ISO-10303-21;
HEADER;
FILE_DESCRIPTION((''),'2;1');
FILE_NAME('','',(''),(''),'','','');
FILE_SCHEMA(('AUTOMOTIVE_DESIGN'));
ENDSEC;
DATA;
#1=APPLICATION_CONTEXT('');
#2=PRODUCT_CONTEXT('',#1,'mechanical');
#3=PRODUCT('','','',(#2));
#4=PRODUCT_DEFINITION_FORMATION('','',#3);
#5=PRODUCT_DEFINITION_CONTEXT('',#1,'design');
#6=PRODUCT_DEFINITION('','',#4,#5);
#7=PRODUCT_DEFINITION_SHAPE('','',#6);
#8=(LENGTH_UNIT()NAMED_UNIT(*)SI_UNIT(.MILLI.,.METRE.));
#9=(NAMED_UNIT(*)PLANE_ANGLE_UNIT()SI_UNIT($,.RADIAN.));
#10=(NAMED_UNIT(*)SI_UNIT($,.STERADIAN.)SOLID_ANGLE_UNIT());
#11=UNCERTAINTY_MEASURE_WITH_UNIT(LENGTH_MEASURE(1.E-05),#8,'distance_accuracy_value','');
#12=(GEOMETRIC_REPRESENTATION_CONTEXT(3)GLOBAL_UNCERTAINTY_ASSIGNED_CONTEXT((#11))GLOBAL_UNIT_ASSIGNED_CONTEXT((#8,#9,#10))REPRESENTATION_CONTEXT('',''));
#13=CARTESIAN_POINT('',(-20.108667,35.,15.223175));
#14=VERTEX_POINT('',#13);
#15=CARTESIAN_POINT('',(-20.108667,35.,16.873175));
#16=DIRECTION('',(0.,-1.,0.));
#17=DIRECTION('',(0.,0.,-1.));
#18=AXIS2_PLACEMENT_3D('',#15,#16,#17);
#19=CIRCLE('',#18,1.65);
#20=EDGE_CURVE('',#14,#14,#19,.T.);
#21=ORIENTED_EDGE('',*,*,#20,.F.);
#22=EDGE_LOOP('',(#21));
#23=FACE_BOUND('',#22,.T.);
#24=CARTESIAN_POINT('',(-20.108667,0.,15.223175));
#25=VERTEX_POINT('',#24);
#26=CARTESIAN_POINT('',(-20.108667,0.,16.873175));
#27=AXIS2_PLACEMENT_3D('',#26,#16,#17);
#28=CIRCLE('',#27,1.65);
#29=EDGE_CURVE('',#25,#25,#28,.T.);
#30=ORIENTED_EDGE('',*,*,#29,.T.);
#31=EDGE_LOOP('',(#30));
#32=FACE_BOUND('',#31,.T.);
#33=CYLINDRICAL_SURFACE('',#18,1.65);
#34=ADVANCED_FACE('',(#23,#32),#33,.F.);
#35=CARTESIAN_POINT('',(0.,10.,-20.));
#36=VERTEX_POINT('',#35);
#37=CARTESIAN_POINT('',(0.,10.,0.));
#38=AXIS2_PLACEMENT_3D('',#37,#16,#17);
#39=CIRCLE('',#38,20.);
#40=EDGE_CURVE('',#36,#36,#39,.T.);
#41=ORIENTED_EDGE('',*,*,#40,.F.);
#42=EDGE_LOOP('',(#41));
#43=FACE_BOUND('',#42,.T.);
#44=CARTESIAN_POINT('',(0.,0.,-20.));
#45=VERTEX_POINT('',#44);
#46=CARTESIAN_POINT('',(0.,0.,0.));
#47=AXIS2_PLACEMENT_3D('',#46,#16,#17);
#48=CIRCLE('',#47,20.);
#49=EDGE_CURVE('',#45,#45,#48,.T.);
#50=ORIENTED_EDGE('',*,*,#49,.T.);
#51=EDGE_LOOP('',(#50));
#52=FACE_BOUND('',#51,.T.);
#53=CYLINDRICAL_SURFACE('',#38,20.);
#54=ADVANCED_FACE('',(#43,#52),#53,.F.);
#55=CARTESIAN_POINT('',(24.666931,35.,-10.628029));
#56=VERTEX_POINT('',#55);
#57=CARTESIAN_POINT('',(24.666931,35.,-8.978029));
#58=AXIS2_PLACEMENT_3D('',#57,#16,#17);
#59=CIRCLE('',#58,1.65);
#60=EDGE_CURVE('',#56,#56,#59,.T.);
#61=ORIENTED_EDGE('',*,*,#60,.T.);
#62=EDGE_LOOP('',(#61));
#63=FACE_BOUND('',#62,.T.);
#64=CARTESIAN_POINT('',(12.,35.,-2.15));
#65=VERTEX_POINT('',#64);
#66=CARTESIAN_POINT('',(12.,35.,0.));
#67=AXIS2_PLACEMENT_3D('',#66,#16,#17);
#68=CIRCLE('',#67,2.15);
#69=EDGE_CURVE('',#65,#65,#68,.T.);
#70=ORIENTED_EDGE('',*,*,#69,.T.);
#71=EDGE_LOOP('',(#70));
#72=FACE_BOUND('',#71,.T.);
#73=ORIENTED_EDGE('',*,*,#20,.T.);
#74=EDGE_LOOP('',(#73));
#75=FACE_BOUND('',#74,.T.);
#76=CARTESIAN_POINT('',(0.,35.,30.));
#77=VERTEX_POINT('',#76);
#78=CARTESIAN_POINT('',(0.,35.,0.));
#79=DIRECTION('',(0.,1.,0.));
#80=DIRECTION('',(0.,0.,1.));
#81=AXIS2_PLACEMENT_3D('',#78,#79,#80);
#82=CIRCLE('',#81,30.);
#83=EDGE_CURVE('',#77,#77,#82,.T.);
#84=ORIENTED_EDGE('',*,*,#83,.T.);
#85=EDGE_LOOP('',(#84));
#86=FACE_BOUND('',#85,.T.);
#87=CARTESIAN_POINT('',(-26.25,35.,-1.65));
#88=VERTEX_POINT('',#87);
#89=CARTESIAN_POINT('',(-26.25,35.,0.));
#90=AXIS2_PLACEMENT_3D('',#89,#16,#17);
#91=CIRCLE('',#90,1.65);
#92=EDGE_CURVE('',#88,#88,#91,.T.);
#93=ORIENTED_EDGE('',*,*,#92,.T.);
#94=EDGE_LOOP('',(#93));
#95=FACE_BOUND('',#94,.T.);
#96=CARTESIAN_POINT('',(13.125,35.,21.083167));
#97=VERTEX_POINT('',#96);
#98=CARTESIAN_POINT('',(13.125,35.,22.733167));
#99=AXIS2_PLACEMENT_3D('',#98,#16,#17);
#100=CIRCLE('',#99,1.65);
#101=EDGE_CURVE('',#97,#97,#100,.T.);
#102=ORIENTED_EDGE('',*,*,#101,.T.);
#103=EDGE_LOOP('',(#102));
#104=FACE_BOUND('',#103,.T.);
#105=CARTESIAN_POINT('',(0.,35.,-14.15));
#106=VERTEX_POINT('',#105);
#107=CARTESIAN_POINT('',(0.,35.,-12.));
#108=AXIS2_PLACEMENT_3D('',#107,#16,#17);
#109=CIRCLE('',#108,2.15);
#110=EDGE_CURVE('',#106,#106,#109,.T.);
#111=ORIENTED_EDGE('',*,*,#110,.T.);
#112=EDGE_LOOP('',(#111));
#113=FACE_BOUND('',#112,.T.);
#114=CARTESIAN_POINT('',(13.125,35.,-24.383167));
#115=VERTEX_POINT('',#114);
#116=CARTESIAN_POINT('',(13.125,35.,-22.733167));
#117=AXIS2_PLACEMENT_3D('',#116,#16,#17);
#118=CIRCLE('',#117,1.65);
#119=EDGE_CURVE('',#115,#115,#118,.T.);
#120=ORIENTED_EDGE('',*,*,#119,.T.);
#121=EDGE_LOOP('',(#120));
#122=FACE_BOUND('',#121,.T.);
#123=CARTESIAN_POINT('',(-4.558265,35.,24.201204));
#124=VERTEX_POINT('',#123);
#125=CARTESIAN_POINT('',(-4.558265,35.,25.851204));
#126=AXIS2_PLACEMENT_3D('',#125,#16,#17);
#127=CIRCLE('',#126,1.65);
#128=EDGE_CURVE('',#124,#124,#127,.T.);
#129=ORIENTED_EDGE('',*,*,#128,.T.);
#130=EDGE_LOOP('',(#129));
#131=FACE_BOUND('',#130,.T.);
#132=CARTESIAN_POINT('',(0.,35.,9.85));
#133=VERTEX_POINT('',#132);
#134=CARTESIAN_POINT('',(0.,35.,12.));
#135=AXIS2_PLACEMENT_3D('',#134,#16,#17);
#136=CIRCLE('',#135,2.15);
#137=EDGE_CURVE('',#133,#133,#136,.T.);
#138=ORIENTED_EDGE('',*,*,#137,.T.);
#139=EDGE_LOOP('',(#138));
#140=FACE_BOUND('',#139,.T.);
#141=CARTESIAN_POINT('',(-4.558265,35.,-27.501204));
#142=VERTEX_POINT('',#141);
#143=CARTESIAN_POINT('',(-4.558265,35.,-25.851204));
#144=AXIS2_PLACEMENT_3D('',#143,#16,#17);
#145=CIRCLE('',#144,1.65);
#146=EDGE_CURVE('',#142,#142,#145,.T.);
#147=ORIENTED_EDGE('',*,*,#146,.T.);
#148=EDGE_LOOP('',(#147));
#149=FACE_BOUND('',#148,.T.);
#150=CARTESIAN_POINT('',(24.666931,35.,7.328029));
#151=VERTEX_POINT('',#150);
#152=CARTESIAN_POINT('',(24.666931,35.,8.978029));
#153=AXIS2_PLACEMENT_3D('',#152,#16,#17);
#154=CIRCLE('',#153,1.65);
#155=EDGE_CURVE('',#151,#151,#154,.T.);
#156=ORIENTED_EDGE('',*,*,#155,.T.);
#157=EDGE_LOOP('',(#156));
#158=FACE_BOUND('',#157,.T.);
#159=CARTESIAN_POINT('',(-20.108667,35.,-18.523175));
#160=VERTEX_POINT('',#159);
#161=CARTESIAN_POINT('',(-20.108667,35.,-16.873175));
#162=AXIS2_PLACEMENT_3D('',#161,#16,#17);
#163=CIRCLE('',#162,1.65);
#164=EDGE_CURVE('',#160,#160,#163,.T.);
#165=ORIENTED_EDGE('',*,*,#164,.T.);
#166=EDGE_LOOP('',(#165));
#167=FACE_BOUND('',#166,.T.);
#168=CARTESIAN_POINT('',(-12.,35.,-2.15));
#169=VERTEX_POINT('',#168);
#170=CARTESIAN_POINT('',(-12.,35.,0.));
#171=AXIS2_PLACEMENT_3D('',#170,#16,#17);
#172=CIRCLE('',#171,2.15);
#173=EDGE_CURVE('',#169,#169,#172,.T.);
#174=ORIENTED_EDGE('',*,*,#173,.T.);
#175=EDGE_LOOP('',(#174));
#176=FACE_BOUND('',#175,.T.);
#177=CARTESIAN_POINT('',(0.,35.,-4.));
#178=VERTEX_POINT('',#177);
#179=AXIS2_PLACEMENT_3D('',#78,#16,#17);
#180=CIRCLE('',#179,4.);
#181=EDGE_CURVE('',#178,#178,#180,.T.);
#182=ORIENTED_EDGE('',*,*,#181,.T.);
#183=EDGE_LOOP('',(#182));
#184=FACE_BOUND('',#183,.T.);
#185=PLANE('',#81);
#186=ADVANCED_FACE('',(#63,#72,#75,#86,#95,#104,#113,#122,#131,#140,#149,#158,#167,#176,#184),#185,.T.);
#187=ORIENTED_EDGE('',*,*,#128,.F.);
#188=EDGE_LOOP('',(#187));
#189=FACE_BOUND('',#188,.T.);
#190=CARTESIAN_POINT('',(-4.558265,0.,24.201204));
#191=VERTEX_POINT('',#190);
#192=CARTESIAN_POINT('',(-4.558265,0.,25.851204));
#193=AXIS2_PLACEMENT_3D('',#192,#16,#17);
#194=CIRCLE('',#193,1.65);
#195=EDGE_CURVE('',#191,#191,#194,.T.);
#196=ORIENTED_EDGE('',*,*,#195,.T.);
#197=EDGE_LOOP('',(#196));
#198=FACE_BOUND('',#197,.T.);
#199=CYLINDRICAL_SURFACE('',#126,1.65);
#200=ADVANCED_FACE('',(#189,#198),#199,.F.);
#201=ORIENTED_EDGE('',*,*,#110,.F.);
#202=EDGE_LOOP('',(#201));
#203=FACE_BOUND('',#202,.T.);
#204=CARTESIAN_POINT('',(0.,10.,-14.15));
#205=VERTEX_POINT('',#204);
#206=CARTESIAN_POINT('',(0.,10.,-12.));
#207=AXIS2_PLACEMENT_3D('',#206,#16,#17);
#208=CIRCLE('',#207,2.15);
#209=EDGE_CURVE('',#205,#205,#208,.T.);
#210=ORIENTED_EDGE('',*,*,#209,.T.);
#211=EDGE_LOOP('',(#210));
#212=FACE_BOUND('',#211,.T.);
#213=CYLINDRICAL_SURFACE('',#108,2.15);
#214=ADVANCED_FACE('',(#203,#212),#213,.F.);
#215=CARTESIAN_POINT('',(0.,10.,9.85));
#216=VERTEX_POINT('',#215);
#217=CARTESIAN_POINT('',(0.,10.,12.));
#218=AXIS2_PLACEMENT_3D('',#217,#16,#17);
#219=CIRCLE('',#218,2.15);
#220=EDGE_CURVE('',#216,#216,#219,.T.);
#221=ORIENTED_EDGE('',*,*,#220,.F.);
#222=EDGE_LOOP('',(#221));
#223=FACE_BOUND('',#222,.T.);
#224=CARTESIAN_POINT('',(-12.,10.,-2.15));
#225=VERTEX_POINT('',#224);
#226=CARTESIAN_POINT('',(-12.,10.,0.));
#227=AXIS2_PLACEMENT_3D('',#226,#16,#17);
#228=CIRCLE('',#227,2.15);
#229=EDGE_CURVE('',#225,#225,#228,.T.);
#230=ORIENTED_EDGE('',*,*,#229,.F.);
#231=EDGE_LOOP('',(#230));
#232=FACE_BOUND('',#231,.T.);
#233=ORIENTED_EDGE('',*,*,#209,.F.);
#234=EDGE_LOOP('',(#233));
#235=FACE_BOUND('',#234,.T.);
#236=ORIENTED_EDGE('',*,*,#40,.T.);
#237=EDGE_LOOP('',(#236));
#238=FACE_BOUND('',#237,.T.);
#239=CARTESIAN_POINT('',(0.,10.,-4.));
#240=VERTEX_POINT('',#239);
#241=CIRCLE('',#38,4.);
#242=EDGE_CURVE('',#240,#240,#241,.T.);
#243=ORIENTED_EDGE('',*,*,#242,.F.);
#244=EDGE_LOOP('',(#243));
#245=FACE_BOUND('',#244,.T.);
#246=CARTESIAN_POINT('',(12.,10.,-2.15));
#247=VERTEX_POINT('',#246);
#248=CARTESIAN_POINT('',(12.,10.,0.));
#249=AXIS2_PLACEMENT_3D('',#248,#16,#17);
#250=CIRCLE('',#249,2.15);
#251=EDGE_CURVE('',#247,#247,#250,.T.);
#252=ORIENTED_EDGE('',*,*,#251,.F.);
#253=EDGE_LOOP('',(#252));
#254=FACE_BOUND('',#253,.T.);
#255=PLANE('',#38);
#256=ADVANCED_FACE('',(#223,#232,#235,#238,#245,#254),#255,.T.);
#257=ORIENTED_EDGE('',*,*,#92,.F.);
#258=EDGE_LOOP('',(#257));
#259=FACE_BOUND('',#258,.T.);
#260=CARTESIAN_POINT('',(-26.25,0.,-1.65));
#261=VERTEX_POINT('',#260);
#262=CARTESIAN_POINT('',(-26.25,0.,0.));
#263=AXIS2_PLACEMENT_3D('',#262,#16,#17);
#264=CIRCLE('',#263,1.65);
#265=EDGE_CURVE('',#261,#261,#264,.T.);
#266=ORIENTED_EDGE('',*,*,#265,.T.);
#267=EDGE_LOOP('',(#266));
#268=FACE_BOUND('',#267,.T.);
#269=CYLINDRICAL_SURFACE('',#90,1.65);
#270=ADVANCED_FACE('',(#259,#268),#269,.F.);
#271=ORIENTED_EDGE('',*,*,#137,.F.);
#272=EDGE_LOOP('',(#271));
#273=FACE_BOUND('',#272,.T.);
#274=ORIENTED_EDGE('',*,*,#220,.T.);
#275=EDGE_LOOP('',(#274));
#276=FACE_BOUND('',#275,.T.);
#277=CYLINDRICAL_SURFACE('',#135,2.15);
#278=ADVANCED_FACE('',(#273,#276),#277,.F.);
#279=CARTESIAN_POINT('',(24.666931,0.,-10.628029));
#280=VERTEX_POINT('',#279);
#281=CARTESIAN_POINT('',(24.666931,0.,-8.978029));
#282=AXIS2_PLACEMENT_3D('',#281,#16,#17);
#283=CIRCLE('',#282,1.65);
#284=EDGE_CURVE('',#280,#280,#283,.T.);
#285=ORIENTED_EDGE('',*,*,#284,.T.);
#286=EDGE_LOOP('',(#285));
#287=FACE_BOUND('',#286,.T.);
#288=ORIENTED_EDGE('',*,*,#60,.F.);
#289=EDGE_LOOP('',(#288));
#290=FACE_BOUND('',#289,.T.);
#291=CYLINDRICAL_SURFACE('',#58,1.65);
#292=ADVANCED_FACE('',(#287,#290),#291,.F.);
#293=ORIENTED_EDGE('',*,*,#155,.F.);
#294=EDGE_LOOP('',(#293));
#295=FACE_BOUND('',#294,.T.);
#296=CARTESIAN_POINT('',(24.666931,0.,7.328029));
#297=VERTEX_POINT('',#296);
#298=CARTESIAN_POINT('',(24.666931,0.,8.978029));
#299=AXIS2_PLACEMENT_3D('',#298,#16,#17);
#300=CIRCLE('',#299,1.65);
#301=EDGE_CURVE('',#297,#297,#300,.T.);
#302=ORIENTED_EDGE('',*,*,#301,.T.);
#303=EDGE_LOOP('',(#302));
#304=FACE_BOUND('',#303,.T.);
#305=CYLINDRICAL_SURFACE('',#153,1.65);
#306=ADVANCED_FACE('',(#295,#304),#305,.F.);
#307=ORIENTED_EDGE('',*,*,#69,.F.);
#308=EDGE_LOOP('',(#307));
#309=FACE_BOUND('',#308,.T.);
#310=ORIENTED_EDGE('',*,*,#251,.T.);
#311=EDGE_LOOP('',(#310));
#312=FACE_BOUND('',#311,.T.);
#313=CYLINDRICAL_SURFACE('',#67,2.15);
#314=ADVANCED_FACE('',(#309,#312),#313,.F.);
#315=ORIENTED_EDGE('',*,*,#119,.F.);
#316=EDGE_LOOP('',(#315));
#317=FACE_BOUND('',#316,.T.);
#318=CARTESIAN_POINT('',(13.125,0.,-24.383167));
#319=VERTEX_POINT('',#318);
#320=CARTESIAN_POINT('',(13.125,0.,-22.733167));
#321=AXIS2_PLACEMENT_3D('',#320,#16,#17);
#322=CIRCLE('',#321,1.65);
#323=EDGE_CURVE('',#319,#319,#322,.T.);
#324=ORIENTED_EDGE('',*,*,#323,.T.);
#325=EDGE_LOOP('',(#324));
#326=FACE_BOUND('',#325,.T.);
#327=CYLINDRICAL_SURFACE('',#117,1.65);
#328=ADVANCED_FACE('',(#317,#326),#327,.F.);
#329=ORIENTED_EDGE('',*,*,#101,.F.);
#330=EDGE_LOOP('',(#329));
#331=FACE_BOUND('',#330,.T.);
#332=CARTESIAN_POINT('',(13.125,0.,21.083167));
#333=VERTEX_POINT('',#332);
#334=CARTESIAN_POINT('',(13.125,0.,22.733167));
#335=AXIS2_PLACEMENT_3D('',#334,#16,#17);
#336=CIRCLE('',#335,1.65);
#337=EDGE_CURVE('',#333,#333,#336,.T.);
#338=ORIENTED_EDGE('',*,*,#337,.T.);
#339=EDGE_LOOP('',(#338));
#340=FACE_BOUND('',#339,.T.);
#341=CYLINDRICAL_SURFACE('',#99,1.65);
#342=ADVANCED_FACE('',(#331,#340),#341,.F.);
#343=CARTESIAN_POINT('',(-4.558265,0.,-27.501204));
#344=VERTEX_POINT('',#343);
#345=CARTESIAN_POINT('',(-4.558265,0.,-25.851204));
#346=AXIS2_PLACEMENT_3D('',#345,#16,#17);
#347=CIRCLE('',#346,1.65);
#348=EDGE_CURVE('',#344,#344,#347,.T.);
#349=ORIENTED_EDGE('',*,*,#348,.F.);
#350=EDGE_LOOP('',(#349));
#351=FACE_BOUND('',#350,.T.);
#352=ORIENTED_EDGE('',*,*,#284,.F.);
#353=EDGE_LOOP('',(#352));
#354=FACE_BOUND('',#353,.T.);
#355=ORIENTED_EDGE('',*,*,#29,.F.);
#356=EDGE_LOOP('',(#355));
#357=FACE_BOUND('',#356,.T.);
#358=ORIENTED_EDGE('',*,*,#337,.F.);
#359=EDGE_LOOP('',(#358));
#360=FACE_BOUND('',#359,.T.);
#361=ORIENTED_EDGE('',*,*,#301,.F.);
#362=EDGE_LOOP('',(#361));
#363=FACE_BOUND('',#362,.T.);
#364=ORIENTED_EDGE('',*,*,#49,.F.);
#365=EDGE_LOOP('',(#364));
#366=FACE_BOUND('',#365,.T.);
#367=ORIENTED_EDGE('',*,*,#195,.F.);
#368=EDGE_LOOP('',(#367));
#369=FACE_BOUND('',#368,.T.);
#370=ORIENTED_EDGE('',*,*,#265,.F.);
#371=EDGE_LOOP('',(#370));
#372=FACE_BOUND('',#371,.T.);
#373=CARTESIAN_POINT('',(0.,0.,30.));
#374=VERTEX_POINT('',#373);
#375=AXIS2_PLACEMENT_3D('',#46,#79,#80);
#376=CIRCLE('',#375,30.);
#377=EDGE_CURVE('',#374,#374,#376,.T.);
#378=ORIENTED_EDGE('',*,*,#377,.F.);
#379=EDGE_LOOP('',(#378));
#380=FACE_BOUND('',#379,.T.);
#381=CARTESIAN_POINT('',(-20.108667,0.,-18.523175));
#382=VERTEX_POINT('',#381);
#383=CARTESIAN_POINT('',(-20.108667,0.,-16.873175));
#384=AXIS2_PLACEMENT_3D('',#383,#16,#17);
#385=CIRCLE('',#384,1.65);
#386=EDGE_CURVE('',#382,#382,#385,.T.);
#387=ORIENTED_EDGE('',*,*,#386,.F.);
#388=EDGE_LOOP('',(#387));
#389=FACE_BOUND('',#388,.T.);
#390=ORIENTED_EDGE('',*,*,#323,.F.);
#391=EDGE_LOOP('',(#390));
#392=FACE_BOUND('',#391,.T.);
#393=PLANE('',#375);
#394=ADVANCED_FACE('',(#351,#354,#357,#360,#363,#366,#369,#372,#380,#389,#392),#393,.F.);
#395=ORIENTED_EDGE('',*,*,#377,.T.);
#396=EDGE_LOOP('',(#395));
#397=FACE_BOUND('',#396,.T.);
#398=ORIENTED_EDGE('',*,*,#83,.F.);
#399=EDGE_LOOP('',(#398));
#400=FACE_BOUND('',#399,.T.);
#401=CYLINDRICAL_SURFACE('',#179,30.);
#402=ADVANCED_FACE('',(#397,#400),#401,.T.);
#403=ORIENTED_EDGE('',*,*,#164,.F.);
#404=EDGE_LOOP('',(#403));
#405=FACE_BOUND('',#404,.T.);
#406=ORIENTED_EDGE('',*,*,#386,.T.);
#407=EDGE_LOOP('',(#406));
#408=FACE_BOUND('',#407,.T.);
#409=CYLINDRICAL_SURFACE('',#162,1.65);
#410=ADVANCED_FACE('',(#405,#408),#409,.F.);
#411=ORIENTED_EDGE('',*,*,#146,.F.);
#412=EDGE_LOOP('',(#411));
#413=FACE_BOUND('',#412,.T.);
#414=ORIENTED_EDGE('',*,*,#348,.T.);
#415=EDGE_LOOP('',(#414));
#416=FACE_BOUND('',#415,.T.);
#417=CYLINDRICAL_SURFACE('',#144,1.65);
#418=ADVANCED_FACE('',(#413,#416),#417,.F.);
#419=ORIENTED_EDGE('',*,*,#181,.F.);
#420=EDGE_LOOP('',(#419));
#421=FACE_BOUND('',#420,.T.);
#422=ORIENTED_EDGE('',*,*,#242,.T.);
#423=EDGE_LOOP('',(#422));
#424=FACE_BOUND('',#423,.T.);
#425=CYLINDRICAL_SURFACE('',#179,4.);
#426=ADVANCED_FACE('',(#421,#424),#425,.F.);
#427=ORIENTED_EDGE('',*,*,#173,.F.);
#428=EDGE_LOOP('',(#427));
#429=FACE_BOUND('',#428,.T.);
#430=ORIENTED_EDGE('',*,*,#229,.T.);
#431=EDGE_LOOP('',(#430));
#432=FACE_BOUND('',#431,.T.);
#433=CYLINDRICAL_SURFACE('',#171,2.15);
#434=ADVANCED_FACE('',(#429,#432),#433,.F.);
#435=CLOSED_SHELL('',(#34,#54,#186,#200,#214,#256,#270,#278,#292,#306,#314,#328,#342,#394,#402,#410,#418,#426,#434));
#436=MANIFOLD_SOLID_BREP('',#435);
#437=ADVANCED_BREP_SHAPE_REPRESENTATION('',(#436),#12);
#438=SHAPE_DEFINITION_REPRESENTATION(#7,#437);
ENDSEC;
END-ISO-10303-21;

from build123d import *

# Parameters (mm, degrees)
SKETCH_1_R          = 30
EXTRUDE_1_DEPTH     = 35
SKETCH_2_R          = 1.65
CUT_EXTRUDE_1_DEPTH = 56
SKETCH_4_R          = 20
CUT_EXTRUDE_3_DEPTH = 10
SKETCH_5_R          = 4
CUT_EXTRUDE_4_DEPTH = 50.244289009
SKETCH_6_R          = 2.15
CUT_EXTRUDE_5_DEPTH = 50.244289009


with BuildPart() as part:
    # 草图1 → 凸台-拉伸1 (new body)
    with BuildSketch(Plane(origin=(0, 0, 0), x_dir=(1, 0, 0), z_dir=(0, 1, 0))):
        with Locations(Location((0, 0, 0), (0, 0, 270))):
            Circle(SKETCH_1_R)
    extrude(amount=EXTRUDE_1_DEPTH)

    # 草图2 → 切除-拉伸1 (cut, through all)
    with BuildSketch(Plane.XZ):
        with Locations(Location((-26.25, 0, 0), (0, 0, 270))):
            Circle(SKETCH_2_R)
        with Locations(Location((-20.108666632, 16.873174754, 0), (0, 0, 270))):
            Circle(SKETCH_2_R)
        with Locations(Location((-4.558264664, 25.851203517, 0), (0, 0, 270))):
            Circle(SKETCH_2_R)
        with Locations(Location((13.125, 22.733166849, 0), (0, 0, 270))):
            Circle(SKETCH_2_R)
        with Locations(Location((24.666931296, 8.978028762, 0), (0, 0, 270))):
            Circle(SKETCH_2_R)
        with Locations(Location((24.666931296, -8.978028762, 0), (0, 0, 270))):
            Circle(SKETCH_2_R)
        with Locations(Location((13.125, -22.733166849, 0), (0, 0, 270))):
            Circle(SKETCH_2_R)
        with Locations(Location((-4.558264664, -25.851203517, 0), (0, 0, 270))):
            Circle(SKETCH_2_R)
        with Locations(Location((-20.108666632, -16.873174754, 0), (0, 0, 270))):
            Circle(SKETCH_2_R)
    extrude(amount=-CUT_EXTRUDE_1_DEPTH, mode=Mode.SUBTRACT)

    # 草图4 → 切除-拉伸3 (cut)
    with BuildSketch(Plane.XZ):
        with Locations(Location((0, 0, 0), (0, 0, 270))):
            Circle(SKETCH_4_R)
    extrude(amount=-CUT_EXTRUDE_3_DEPTH, mode=Mode.SUBTRACT)

    # 草图5 → 切除-拉伸4 (cut, through all)
    with BuildSketch(Plane.XZ.offset(-10)):
        with Locations(Location((0, 0, 0), (0, 0, 270))):
            Circle(SKETCH_5_R)
    extrude(amount=-CUT_EXTRUDE_4_DEPTH, mode=Mode.SUBTRACT)

    # 草图6 → 切除-拉伸5 (cut, through all)
    with BuildSketch(Plane.XZ.offset(-10)):
        with Locations(Location((0, 12, 0), (0, 0, 270))):
            Circle(SKETCH_6_R)
        with Locations(Location((12, 0, 0), (0, 0, 270))):
            Circle(SKETCH_6_R)
        with Locations(Location((0, -12, 0), (0, 0, 270))):
            Circle(SKETCH_6_R)
        with Locations(Location((-12, 0, 0), (0, 0, 270))):
            Circle(SKETCH_6_R)
    extrude(amount=-CUT_EXTRUDE_5_DEPTH, mode=Mode.SUBTRACT)


solid = part.part
